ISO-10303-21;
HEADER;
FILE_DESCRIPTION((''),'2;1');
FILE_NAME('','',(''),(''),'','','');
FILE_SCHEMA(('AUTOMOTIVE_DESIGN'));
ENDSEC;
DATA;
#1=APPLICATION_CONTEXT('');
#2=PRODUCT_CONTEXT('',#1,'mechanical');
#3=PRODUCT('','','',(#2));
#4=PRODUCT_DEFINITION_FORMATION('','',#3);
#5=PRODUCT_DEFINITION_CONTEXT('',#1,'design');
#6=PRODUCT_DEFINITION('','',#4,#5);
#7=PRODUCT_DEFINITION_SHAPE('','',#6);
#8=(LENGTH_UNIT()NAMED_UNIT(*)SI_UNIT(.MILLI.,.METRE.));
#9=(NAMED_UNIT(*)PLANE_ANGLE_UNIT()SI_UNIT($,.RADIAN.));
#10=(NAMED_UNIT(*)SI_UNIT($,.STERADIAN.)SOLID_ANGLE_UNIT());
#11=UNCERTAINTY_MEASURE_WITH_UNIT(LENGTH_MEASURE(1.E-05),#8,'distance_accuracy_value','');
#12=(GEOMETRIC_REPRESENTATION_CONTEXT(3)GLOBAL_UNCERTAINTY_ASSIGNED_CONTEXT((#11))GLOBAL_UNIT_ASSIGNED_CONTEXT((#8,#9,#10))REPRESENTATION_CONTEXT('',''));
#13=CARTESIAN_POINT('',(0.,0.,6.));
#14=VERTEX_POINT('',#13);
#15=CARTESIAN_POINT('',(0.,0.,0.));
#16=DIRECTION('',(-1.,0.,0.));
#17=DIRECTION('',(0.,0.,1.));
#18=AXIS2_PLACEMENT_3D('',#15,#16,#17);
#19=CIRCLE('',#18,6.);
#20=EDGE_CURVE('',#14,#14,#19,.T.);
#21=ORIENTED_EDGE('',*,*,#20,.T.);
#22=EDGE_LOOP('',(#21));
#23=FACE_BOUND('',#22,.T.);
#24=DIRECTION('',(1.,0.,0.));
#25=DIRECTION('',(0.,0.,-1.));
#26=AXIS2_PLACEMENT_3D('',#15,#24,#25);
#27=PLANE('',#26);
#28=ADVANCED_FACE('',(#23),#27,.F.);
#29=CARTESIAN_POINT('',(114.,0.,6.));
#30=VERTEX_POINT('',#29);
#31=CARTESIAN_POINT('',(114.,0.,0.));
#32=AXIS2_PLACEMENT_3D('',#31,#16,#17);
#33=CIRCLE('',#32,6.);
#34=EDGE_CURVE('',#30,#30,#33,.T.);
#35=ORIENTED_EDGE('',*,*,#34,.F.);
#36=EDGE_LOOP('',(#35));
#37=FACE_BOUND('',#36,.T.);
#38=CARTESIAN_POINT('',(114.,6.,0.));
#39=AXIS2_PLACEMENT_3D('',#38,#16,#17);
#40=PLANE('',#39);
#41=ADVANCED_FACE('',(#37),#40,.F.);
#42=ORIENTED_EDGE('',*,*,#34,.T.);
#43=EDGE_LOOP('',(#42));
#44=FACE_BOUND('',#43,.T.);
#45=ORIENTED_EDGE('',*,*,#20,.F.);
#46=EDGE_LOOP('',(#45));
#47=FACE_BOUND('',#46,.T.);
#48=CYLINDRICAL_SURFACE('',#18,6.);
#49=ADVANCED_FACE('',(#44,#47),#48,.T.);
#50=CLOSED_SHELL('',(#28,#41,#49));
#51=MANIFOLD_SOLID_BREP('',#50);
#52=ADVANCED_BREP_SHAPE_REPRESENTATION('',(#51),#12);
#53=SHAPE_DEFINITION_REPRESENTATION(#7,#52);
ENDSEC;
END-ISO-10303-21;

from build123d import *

# Parameters (mm, degrees)
SKETCH_1_W = 114
SKETCH_1_H = 6


with BuildPart() as part:
    # 草图1 → 旋转1 (revolve)
    with BuildSketch(Plane.XY, mode=Mode.PRIVATE) as revolve_1_sk:
        with Locations((57, 3)):
            Rectangle(SKETCH_1_W, SKETCH_1_H)
    revolve(revolve_1_sk.sketch.rotate(Axis((0, 0, 0), (1, 0, 0)), 90), axis=Axis((0, 0, 0), (1, 0, 0)))


solid = part.part
